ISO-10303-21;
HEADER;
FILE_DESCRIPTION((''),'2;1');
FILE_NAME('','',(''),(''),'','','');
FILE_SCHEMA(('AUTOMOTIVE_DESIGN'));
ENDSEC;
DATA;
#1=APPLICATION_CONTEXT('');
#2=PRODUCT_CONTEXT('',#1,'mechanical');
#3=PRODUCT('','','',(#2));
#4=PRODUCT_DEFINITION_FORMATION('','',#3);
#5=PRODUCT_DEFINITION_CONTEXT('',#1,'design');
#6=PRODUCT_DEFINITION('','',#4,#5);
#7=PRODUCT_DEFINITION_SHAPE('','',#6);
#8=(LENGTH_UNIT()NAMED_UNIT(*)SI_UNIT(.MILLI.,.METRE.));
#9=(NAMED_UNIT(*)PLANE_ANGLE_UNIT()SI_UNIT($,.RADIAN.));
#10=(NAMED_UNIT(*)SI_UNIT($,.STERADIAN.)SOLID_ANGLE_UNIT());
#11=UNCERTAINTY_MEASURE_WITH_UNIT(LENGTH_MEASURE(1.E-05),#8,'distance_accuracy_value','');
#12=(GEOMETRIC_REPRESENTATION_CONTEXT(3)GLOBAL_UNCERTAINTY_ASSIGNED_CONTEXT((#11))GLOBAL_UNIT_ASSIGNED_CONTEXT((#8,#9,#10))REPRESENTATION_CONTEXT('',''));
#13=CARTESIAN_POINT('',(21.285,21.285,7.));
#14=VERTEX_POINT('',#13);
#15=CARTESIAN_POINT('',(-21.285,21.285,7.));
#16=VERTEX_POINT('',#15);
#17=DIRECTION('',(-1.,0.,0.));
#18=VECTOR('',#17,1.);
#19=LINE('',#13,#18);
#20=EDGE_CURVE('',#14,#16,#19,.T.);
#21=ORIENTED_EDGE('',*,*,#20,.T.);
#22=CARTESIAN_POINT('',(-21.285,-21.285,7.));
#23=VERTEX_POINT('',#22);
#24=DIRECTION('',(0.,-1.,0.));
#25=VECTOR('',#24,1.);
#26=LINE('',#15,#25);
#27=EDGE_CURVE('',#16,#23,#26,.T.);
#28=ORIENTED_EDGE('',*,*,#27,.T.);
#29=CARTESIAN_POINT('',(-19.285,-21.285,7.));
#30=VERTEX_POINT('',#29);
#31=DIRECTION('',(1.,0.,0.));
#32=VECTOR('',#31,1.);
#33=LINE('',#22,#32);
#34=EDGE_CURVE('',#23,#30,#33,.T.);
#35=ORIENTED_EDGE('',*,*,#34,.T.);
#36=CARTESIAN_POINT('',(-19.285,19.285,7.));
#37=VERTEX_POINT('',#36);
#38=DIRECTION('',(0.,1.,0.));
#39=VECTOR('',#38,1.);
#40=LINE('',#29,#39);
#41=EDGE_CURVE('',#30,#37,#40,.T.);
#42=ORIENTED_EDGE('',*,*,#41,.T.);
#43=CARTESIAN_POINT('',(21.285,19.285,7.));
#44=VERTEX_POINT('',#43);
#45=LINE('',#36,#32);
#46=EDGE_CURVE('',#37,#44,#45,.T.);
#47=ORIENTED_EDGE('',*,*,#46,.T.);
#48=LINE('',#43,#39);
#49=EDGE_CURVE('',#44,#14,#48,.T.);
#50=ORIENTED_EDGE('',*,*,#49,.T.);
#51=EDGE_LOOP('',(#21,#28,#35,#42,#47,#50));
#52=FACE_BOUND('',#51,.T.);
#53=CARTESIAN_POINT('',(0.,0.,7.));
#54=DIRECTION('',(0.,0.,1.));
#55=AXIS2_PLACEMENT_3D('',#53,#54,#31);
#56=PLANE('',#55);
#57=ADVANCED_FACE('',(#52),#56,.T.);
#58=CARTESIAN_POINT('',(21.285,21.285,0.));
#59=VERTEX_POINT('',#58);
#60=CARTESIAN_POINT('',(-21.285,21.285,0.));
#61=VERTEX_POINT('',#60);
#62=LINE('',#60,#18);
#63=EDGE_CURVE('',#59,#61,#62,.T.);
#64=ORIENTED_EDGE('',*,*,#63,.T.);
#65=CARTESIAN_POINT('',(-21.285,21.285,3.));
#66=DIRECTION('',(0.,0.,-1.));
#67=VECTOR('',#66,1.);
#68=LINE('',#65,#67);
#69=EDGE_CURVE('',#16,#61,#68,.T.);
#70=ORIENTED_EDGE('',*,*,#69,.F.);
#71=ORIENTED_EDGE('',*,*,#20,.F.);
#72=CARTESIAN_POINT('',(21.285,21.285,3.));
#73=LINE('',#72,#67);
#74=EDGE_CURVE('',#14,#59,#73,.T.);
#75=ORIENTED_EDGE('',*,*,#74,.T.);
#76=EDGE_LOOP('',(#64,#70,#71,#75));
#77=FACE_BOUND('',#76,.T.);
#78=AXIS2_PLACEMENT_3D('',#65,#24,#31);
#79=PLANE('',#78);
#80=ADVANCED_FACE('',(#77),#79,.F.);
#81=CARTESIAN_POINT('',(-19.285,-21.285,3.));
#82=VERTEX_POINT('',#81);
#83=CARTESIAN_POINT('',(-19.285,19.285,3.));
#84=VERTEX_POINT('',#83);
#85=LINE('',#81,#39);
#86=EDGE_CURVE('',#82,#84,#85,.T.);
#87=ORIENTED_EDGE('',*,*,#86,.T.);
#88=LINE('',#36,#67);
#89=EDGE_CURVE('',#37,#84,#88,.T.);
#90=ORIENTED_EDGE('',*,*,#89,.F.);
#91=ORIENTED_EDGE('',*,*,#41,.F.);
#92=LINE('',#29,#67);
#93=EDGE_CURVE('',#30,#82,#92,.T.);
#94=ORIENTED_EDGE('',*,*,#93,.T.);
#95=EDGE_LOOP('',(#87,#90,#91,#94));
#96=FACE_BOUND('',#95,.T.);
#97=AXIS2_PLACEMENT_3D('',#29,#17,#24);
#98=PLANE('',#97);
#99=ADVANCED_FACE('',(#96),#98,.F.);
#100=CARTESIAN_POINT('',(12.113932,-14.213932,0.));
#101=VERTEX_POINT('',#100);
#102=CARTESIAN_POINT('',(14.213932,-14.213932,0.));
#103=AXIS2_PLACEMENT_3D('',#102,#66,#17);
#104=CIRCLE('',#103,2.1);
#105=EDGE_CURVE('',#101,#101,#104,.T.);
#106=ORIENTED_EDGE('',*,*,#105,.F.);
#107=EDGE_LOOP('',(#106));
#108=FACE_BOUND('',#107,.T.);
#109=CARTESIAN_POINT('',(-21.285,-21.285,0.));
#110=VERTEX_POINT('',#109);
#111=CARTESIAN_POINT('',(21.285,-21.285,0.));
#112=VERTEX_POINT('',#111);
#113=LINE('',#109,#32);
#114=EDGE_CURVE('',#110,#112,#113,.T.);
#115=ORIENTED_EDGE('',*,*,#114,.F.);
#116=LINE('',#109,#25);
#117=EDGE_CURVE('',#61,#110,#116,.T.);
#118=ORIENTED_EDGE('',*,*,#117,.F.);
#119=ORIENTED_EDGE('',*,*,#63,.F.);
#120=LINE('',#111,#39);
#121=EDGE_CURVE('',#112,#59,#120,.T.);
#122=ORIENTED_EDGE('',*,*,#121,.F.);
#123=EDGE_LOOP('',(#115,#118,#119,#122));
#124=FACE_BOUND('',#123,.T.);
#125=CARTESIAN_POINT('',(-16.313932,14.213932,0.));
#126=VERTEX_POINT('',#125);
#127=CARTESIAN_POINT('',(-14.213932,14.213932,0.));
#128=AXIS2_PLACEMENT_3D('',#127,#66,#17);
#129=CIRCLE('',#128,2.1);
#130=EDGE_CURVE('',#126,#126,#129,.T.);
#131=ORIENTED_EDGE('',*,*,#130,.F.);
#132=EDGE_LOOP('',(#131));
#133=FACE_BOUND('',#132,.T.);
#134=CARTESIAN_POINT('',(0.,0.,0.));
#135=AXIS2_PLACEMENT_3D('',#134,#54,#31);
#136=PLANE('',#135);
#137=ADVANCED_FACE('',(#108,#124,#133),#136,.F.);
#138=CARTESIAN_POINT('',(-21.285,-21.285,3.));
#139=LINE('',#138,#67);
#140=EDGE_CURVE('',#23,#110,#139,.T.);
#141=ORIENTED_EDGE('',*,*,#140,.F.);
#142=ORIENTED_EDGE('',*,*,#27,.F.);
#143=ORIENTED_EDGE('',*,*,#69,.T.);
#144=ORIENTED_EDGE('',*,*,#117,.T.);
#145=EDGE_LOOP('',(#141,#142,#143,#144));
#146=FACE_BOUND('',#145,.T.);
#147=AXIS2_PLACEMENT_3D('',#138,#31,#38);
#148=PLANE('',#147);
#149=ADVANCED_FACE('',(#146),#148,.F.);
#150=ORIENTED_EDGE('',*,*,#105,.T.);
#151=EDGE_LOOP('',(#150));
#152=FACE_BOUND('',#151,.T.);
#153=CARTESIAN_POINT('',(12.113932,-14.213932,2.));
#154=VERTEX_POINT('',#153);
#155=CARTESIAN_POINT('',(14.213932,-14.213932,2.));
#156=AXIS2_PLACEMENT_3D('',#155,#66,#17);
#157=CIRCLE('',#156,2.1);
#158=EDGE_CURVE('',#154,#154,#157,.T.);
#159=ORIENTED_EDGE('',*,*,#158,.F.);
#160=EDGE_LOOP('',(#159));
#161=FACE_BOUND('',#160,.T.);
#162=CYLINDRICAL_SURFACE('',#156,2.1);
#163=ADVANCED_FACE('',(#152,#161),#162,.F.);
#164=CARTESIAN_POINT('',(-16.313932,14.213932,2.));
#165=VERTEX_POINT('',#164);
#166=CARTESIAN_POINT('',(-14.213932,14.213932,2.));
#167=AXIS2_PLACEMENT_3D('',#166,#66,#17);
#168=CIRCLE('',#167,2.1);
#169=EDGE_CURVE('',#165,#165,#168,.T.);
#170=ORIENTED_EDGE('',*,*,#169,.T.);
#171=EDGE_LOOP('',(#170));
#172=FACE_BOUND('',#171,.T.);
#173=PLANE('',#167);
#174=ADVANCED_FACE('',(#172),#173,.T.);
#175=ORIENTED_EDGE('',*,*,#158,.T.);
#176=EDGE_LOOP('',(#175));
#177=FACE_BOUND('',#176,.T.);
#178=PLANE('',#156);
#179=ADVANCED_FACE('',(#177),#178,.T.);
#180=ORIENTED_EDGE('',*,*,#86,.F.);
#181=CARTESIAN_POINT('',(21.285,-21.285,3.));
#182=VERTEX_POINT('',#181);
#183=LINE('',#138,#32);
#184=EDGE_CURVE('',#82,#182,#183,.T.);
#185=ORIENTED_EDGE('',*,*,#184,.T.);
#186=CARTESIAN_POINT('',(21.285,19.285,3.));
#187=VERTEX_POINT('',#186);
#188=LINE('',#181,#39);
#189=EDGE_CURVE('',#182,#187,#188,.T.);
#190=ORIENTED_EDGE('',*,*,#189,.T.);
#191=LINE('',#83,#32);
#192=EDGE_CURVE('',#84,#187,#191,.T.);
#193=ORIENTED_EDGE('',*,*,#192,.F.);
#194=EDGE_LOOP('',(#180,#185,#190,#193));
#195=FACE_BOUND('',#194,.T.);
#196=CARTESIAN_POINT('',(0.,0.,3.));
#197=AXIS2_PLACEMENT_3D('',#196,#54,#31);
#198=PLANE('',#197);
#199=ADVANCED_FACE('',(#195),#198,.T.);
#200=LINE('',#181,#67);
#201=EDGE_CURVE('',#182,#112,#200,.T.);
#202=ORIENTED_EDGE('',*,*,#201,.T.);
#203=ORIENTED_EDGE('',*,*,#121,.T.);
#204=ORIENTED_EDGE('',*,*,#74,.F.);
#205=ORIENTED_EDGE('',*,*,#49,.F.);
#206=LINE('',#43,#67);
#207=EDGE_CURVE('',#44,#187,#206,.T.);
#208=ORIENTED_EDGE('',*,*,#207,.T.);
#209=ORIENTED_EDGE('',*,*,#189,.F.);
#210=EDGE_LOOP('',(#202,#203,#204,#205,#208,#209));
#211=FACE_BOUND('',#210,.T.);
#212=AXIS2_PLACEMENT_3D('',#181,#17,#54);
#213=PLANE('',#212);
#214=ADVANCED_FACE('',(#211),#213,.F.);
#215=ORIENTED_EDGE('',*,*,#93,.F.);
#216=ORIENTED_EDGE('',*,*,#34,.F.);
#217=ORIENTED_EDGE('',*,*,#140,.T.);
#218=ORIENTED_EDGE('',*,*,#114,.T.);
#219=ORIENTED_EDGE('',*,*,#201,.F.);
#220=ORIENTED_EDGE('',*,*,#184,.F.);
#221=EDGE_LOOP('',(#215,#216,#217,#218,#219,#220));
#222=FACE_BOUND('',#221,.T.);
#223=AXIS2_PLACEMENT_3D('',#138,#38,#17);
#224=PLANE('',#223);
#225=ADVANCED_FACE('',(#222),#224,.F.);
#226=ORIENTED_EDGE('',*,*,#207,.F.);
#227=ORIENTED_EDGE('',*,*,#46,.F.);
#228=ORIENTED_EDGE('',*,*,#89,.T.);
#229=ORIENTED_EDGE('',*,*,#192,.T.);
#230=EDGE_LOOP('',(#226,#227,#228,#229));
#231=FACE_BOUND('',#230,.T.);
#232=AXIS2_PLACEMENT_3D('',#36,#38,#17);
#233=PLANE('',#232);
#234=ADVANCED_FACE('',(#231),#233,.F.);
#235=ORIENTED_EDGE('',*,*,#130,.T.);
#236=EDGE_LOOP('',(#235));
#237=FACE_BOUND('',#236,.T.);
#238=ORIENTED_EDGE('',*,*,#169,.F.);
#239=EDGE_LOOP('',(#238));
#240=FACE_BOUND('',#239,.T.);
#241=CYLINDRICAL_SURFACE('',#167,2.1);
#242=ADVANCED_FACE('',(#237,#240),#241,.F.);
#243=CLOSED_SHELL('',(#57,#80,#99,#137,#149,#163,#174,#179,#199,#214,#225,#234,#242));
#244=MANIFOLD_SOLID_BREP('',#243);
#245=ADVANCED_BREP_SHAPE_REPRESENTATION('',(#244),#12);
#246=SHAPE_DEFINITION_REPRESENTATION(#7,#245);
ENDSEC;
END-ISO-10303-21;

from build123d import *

# Parameters (mm, degrees)
SKETCH1_W           = 42.57
SKETCH1_H           = 42.57
BOSS_EXTRUDE1_DEPTH = 3
BOSS_EXTRUDE2_DEPTH = 4
SKETCH3_R           = 2.1
CUT_EXTRUDE1_DEPTH  = 2


with BuildPart() as part:
    # Sketch1 → Boss-Extrude1 (new body)
    with BuildSketch(Plane(origin=(0, 0, 0), x_dir=(0, 1, 0), z_dir=(0, 0, 1))):
        Rectangle(SKETCH1_W, SKETCH1_H)
    extrude(amount=BOSS_EXTRUDE1_DEPTH)

    # Sketch2 → Boss-Extrude2 (add)
    with BuildSketch(Plane.XY.offset(3)):
        Polygon((21.285, 21.285), (-21.285, 21.285), (-21.285, -21.285), (-19.285, -21.285), (-19.285, 19.285), (21.285, 19.285), align=None)
    extrude(amount=BOSS_EXTRUDE2_DEPTH)

    # Sketch3 → Cut-Extrude1 (cut)
    with BuildSketch(Plane(origin=(0, 0, 0), x_dir=(1, 0, 0), z_dir=(0, 0, -1))):
        with Locations(Location((-14.213932188, -14.213932188, 0), (0, 0, 180))):
            Circle(SKETCH3_R)
        with Locations(Location((14.213932188, 14.213932188, 0), (0, 0, 180))):
            Circle(SKETCH3_R)
    extrude(amount=-CUT_EXTRUDE1_DEPTH, mode=Mode.SUBTRACT)


solid = part.part
